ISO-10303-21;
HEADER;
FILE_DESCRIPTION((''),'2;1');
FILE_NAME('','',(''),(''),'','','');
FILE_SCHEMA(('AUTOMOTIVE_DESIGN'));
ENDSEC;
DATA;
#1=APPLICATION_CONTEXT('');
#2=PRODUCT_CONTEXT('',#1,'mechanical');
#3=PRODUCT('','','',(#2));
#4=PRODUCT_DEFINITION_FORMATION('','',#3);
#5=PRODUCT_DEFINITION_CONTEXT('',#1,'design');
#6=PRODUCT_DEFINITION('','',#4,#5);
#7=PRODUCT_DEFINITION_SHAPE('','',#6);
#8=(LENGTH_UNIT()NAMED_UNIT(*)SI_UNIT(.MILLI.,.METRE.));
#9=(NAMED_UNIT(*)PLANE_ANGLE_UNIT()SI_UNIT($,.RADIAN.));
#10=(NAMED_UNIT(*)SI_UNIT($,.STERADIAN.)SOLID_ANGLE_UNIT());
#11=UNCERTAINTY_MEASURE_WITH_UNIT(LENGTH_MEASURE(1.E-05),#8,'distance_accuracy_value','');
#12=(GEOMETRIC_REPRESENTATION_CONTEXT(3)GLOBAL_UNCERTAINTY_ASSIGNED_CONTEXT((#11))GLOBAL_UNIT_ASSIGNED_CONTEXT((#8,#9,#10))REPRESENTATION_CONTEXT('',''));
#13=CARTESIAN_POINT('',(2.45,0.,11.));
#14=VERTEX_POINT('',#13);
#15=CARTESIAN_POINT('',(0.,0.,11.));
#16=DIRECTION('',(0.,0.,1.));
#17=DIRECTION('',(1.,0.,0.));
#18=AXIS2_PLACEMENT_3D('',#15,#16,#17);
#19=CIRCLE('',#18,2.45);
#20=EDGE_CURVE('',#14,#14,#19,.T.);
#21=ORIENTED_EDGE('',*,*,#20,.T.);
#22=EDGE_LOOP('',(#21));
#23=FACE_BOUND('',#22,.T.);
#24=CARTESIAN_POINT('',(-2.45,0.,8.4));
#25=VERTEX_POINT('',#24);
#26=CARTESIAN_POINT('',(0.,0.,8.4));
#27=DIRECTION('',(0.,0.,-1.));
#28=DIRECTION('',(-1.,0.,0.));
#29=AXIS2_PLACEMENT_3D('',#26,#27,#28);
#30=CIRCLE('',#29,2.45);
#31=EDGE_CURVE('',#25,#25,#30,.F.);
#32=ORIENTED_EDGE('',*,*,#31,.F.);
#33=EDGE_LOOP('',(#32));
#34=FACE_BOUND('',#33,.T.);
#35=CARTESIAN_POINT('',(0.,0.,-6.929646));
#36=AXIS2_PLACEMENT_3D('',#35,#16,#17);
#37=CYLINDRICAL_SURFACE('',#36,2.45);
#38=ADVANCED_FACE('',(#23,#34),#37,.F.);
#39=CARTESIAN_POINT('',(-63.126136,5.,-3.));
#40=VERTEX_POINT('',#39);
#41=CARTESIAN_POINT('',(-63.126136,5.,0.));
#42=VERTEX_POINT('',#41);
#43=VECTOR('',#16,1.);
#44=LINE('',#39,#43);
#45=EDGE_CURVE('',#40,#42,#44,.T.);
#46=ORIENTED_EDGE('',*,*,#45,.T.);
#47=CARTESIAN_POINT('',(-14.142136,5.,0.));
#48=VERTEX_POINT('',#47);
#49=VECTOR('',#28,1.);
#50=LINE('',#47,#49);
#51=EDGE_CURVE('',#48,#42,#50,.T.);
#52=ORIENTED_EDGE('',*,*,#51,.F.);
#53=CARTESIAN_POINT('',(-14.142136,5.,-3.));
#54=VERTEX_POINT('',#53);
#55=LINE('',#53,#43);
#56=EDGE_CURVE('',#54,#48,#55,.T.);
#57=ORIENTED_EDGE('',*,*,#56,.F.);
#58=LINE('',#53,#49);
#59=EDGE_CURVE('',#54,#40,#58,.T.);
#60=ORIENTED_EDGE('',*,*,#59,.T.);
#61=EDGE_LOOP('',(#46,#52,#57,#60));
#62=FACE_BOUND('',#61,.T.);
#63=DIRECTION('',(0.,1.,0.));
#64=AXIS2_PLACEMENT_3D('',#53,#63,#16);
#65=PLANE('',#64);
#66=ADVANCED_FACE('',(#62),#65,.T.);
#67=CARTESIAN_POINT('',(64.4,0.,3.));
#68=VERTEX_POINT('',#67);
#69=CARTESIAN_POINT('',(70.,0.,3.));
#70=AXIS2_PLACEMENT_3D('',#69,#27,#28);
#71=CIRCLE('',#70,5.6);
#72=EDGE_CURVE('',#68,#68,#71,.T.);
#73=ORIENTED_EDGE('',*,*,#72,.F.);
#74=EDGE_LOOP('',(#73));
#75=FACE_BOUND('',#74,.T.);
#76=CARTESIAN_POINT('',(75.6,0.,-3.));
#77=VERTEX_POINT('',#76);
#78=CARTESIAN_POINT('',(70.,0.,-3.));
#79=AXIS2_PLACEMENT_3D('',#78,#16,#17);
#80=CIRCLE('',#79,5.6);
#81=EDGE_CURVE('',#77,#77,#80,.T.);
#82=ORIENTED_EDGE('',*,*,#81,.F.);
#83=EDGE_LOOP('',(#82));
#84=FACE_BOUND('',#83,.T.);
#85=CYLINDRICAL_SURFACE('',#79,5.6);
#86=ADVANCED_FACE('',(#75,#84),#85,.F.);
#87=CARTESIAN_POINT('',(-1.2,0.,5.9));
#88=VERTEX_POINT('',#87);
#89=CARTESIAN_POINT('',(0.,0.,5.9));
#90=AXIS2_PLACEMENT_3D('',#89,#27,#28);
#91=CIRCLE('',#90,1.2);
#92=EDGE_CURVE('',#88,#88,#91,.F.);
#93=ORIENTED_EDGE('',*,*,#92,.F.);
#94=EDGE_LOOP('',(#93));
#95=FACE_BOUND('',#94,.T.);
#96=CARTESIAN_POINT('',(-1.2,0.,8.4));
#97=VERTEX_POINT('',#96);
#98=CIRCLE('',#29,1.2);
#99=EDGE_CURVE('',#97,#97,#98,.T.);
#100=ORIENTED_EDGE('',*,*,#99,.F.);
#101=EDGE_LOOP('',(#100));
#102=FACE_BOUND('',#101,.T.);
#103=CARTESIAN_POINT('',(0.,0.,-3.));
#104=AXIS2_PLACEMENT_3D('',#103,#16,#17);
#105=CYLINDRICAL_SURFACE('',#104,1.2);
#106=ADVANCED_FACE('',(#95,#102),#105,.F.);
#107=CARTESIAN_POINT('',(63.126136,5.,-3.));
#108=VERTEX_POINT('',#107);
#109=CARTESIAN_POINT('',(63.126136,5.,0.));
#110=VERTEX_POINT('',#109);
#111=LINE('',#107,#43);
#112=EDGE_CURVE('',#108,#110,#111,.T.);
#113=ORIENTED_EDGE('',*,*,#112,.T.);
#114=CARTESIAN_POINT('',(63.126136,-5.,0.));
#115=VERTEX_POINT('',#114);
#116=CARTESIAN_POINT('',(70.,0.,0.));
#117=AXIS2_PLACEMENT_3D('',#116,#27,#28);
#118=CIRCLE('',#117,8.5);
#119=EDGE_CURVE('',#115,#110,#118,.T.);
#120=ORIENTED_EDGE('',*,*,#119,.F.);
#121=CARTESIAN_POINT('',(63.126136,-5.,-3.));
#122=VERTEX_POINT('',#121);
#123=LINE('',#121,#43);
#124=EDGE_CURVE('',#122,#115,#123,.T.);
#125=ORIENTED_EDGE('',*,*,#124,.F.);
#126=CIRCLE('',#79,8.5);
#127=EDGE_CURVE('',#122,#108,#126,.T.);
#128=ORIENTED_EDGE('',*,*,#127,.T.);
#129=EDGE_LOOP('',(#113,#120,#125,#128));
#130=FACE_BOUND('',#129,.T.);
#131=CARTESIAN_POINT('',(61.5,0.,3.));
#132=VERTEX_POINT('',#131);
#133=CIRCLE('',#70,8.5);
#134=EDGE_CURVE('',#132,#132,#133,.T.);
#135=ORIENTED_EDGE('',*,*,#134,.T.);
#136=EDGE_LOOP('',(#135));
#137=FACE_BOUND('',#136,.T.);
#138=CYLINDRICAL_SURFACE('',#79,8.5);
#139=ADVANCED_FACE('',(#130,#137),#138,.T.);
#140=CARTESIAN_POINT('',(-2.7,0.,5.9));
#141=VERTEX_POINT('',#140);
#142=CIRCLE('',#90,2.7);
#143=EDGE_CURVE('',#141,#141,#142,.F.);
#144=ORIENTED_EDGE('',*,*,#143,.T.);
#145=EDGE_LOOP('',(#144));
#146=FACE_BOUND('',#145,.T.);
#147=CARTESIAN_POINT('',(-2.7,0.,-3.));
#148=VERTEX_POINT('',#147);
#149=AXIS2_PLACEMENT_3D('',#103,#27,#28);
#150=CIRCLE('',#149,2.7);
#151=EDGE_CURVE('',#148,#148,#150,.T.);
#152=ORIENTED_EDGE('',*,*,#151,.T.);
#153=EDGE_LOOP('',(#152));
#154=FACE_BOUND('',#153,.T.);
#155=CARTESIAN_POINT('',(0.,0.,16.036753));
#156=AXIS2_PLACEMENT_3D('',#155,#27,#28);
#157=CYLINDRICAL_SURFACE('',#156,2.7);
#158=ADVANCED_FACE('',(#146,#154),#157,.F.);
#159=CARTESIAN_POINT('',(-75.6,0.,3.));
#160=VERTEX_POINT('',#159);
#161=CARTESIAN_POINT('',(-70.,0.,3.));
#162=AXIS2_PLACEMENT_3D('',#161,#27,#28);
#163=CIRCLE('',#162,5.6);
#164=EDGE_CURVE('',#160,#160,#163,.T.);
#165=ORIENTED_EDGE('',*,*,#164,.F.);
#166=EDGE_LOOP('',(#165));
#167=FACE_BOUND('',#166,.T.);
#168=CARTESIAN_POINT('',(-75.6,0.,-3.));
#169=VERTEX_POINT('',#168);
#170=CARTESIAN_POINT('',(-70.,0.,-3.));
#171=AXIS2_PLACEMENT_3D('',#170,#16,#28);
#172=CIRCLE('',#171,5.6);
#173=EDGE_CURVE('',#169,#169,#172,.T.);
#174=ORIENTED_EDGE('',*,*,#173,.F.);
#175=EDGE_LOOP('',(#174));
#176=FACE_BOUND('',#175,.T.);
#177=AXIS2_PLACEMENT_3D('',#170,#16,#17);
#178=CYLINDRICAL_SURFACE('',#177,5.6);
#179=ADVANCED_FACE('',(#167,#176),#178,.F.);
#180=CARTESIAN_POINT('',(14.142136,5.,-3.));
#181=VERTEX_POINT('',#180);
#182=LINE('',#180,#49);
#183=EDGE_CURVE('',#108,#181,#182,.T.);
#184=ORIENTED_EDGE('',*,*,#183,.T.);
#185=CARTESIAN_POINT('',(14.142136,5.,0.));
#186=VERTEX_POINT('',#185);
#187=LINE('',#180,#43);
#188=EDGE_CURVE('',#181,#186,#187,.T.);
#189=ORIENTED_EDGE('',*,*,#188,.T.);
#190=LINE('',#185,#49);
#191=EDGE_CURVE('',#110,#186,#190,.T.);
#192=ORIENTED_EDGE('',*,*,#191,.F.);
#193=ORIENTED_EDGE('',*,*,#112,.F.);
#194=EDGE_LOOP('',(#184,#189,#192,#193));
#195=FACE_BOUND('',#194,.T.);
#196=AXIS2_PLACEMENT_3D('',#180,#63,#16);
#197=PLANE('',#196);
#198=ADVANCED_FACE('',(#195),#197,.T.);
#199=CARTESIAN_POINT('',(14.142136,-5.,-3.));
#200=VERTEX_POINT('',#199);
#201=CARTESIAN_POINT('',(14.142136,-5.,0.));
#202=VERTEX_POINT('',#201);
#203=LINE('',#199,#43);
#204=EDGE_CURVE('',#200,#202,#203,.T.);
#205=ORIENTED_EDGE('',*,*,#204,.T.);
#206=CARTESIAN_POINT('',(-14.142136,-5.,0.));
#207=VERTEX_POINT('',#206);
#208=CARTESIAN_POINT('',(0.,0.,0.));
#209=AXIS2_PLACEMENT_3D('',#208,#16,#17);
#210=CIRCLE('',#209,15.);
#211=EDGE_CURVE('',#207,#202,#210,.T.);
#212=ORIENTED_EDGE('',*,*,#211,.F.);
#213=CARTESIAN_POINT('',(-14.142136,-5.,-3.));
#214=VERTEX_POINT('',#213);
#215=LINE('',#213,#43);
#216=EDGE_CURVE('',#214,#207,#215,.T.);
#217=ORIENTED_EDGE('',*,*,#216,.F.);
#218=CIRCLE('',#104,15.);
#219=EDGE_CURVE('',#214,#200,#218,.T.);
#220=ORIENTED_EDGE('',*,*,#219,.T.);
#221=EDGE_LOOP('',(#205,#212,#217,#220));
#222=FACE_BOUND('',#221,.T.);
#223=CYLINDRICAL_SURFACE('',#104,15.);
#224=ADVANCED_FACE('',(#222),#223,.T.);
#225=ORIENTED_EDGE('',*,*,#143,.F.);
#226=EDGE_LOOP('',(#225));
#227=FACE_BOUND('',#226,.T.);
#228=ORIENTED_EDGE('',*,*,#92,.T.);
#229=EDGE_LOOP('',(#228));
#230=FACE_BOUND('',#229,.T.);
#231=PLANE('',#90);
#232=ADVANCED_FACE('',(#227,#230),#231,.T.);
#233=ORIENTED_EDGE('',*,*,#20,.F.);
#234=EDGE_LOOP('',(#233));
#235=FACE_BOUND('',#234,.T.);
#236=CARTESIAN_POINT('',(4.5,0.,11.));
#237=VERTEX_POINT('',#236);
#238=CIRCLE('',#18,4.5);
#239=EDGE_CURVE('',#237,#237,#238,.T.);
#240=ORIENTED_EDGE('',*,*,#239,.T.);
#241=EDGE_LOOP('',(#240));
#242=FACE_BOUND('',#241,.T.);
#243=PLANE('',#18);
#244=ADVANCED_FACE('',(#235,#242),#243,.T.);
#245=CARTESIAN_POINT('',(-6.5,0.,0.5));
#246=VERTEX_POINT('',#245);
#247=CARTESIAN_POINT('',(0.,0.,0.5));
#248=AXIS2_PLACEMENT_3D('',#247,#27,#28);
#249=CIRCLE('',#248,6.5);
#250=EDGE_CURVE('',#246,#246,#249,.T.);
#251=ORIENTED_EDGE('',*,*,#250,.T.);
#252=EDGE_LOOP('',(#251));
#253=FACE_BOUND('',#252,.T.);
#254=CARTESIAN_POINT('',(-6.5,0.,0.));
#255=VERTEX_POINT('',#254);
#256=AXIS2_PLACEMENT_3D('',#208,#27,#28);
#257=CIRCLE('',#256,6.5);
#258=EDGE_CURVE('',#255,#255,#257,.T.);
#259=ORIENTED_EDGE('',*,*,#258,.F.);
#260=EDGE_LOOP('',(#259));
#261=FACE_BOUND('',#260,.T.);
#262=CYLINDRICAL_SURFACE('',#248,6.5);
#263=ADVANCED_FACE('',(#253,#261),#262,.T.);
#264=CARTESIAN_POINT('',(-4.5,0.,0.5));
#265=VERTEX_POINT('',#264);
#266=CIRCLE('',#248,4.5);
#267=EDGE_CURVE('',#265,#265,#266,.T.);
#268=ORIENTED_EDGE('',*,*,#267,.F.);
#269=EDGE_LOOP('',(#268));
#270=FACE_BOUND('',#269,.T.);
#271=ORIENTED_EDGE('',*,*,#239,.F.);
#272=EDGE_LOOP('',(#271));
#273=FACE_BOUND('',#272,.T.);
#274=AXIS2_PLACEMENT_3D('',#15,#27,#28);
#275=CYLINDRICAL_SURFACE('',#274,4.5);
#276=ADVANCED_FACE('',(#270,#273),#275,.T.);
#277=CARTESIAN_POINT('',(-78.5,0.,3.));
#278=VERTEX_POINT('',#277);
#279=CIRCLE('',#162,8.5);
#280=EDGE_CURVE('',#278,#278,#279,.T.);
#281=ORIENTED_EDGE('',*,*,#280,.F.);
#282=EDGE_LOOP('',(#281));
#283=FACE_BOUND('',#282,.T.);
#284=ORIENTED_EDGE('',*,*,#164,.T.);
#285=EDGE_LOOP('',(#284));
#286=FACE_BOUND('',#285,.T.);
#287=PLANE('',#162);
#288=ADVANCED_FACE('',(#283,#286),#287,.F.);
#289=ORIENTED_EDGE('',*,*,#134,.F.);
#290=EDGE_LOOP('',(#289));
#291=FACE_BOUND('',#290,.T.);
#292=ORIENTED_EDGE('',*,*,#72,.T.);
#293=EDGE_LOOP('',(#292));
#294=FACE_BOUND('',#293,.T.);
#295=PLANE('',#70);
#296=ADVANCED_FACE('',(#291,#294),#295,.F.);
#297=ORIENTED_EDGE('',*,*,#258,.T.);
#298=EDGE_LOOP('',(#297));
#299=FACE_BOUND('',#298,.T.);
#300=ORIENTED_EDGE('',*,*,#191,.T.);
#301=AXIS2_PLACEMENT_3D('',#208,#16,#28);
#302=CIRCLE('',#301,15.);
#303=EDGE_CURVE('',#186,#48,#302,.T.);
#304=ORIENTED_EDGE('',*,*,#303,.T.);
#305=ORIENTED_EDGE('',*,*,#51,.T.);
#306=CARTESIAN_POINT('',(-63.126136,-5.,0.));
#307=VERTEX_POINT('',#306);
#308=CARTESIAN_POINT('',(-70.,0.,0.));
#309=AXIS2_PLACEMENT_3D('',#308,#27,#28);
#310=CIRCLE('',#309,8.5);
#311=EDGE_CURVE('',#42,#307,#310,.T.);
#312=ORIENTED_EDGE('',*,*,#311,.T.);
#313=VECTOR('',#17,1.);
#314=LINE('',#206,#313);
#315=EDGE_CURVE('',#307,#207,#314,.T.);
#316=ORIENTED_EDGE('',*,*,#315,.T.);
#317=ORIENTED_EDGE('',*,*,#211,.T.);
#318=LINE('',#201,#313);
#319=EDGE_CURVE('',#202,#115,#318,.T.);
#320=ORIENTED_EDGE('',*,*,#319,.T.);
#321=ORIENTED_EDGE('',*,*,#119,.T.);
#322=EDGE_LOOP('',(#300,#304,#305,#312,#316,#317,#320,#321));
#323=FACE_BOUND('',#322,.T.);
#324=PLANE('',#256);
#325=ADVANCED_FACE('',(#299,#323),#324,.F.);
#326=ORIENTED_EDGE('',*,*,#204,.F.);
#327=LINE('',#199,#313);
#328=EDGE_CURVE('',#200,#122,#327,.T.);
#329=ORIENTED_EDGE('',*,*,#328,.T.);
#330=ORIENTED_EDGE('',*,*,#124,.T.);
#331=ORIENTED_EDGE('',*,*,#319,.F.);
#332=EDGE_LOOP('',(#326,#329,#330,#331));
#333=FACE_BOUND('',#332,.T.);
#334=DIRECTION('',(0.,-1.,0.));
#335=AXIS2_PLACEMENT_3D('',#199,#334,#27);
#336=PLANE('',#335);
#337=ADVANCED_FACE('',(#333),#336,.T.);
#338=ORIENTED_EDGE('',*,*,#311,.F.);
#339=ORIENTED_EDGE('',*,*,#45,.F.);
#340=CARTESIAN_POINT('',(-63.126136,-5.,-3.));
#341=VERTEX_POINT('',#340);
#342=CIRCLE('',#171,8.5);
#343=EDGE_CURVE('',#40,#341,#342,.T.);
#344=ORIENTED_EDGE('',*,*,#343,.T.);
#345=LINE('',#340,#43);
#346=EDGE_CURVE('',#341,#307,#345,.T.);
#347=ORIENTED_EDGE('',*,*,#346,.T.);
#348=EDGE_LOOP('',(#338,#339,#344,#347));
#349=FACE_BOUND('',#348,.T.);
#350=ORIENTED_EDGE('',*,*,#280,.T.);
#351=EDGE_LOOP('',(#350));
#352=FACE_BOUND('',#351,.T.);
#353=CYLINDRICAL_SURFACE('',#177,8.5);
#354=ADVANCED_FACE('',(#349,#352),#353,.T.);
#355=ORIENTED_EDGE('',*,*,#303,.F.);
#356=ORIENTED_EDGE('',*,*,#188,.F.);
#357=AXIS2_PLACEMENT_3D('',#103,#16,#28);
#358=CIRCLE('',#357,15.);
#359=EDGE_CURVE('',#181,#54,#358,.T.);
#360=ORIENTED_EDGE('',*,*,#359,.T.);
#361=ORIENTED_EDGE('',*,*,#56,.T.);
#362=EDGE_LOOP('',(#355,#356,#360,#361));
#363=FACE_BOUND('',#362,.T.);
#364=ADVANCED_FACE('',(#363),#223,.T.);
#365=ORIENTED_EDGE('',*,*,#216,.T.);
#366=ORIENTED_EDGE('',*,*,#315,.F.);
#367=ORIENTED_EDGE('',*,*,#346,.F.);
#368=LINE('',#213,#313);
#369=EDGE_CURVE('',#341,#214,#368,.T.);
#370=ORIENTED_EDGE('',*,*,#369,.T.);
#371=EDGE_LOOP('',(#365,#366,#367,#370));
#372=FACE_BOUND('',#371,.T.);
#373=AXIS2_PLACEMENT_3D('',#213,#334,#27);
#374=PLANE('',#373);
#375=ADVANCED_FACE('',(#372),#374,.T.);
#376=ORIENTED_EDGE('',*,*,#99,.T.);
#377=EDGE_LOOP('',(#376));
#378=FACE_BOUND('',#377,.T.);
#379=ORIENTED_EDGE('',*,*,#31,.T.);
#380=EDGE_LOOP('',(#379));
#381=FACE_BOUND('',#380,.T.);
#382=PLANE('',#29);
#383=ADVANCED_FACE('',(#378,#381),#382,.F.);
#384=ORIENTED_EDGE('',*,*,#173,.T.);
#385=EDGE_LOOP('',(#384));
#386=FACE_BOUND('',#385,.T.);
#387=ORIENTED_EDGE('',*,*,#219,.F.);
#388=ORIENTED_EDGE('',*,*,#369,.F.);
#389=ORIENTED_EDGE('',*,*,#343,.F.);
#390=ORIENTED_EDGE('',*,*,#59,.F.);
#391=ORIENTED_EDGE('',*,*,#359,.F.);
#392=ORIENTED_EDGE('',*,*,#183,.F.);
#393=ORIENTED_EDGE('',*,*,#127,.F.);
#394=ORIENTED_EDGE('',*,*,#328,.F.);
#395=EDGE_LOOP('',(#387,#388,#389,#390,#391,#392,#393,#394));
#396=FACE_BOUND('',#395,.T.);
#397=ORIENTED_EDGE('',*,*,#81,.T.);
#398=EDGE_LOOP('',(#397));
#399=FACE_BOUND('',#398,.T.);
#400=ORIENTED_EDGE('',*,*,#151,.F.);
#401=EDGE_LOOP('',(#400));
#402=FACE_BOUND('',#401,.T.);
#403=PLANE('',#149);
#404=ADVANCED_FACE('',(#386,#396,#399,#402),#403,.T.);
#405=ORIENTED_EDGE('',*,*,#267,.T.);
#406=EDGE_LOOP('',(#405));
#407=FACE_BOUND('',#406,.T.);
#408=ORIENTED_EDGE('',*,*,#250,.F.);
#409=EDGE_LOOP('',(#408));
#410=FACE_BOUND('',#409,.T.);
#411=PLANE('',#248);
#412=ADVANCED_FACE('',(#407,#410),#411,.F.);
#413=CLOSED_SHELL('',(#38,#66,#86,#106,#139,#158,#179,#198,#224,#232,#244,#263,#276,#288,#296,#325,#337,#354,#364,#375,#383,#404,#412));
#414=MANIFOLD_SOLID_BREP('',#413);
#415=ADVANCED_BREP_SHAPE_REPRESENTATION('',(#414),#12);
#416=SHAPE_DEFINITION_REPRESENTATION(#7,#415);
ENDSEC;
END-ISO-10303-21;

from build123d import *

# Parameters (mm, degrees)
SKETCH1_R               = 4.5
BOSS_EXTRUDE1_DEPTH     = 11
SKETCH2_R               = 5.6
BOSS_EXTRUDE2_DEPTH     = 3
SKETCH3_R               = 6.5
BOSS_EXTRUDE3_DEPTH     = 0.5
SKETCH4_R               = 8.5
SKETCH4_R_2             = 5.6
BOSS_EXTRUDE4_DEPTH     = 3
CUT_EXTRUDE1_START      = 11
SKETCH5_R               = 2.45
CUT_EXTRUDE1_DEPTH      = 2.6
SKETCH7_R               = 1.2
CUT_EXTRUDE3_DEPTH      = 12
CUT_EXTRUDE3_DEPTH_BACK = 4
CUT_EXTRUDE4_START      = -3
SKETCH8_R               = 2.7
CUT_EXTRUDE4_DEPTH      = 8.9


with BuildPart() as part:
    # Sketch1 → Boss-Extrude1 (new body)
    with BuildSketch(Plane.XY):
        Circle(SKETCH1_R)
    extrude(amount=BOSS_EXTRUDE1_DEPTH)

    # Sketch2 → Boss-Extrude2 (add)
    with BuildSketch(Plane.XY):
        with BuildLine():
            Line((14.142135624, 5), (63.126136458, 5))
            ThreePointArc((63.126136458, 5), (78.5, 0), (63.126136458, -5))
            Line((63.126136458, -5), (14.142135624, -5))
            ThreePointArc((14.142135624, -5), (0, -15), (-14.142135624, -5))
            Line((-14.142135624, -5), (-63.126136458, -5))
            ThreePointArc((-63.126136458, -5), (-78.5, 0), (-63.126136458, 5))
            Line((-63.126136458, 5), (-14.142135624, 5))
            ThreePointArc((-14.142135624, 5), (0, 15), (14.142135624, 5))
        make_face()
        with Locations((70, 0)):
            Circle(SKETCH2_R, mode=Mode.SUBTRACT)
        with Locations((-70, 0)):
            Circle(SKETCH2_R, mode=Mode.SUBTRACT)
    extrude(amount=-BOSS_EXTRUDE2_DEPTH)

    # Sketch3 → Boss-Extrude3 (add)
    with BuildSketch(Plane.XY):
        Circle(SKETCH3_R)
    extrude(amount=BOSS_EXTRUDE3_DEPTH)

    # Sketch4 → Boss-Extrude4 (add)
    with BuildSketch(Plane.XY):
        with Locations((-70, 0)):
            Circle(SKETCH4_R)
        with Locations((-70, 0)):
            Circle(SKETCH4_R_2, mode=Mode.SUBTRACT)
        with Locations((70, 0)):
            Circle(SKETCH4_R)
        with Locations((70, 0)):
            Circle(SKETCH4_R_2, mode=Mode.SUBTRACT)
    extrude(amount=BOSS_EXTRUDE4_DEPTH)

    # Sketch5 → Cut-Extrude1 (cut)
    with BuildSketch(Plane.XY.offset(CUT_EXTRUDE1_START)):
        Circle(SKETCH5_R)
    extrude(amount=-CUT_EXTRUDE1_DEPTH, mode=Mode.SUBTRACT)

    # Sketch7 → Cut-Extrude3 (cut, two sides)
    with BuildSketch(Plane.XY) as cut_extrude3_sk:
        Circle(SKETCH7_R)
    extrude(amount=CUT_EXTRUDE3_DEPTH, mode=Mode.SUBTRACT)
    extrude(cut_extrude3_sk.sketch, amount=-CUT_EXTRUDE3_DEPTH_BACK, mode=Mode.SUBTRACT)

    # Sketch8 → Cut-Extrude4 (cut)
    with BuildSketch(Plane.XY.offset(CUT_EXTRUDE4_START)):
        Circle(SKETCH8_R)
    extrude(amount=CUT_EXTRUDE4_DEPTH, mode=Mode.SUBTRACT)


solid = part.part
